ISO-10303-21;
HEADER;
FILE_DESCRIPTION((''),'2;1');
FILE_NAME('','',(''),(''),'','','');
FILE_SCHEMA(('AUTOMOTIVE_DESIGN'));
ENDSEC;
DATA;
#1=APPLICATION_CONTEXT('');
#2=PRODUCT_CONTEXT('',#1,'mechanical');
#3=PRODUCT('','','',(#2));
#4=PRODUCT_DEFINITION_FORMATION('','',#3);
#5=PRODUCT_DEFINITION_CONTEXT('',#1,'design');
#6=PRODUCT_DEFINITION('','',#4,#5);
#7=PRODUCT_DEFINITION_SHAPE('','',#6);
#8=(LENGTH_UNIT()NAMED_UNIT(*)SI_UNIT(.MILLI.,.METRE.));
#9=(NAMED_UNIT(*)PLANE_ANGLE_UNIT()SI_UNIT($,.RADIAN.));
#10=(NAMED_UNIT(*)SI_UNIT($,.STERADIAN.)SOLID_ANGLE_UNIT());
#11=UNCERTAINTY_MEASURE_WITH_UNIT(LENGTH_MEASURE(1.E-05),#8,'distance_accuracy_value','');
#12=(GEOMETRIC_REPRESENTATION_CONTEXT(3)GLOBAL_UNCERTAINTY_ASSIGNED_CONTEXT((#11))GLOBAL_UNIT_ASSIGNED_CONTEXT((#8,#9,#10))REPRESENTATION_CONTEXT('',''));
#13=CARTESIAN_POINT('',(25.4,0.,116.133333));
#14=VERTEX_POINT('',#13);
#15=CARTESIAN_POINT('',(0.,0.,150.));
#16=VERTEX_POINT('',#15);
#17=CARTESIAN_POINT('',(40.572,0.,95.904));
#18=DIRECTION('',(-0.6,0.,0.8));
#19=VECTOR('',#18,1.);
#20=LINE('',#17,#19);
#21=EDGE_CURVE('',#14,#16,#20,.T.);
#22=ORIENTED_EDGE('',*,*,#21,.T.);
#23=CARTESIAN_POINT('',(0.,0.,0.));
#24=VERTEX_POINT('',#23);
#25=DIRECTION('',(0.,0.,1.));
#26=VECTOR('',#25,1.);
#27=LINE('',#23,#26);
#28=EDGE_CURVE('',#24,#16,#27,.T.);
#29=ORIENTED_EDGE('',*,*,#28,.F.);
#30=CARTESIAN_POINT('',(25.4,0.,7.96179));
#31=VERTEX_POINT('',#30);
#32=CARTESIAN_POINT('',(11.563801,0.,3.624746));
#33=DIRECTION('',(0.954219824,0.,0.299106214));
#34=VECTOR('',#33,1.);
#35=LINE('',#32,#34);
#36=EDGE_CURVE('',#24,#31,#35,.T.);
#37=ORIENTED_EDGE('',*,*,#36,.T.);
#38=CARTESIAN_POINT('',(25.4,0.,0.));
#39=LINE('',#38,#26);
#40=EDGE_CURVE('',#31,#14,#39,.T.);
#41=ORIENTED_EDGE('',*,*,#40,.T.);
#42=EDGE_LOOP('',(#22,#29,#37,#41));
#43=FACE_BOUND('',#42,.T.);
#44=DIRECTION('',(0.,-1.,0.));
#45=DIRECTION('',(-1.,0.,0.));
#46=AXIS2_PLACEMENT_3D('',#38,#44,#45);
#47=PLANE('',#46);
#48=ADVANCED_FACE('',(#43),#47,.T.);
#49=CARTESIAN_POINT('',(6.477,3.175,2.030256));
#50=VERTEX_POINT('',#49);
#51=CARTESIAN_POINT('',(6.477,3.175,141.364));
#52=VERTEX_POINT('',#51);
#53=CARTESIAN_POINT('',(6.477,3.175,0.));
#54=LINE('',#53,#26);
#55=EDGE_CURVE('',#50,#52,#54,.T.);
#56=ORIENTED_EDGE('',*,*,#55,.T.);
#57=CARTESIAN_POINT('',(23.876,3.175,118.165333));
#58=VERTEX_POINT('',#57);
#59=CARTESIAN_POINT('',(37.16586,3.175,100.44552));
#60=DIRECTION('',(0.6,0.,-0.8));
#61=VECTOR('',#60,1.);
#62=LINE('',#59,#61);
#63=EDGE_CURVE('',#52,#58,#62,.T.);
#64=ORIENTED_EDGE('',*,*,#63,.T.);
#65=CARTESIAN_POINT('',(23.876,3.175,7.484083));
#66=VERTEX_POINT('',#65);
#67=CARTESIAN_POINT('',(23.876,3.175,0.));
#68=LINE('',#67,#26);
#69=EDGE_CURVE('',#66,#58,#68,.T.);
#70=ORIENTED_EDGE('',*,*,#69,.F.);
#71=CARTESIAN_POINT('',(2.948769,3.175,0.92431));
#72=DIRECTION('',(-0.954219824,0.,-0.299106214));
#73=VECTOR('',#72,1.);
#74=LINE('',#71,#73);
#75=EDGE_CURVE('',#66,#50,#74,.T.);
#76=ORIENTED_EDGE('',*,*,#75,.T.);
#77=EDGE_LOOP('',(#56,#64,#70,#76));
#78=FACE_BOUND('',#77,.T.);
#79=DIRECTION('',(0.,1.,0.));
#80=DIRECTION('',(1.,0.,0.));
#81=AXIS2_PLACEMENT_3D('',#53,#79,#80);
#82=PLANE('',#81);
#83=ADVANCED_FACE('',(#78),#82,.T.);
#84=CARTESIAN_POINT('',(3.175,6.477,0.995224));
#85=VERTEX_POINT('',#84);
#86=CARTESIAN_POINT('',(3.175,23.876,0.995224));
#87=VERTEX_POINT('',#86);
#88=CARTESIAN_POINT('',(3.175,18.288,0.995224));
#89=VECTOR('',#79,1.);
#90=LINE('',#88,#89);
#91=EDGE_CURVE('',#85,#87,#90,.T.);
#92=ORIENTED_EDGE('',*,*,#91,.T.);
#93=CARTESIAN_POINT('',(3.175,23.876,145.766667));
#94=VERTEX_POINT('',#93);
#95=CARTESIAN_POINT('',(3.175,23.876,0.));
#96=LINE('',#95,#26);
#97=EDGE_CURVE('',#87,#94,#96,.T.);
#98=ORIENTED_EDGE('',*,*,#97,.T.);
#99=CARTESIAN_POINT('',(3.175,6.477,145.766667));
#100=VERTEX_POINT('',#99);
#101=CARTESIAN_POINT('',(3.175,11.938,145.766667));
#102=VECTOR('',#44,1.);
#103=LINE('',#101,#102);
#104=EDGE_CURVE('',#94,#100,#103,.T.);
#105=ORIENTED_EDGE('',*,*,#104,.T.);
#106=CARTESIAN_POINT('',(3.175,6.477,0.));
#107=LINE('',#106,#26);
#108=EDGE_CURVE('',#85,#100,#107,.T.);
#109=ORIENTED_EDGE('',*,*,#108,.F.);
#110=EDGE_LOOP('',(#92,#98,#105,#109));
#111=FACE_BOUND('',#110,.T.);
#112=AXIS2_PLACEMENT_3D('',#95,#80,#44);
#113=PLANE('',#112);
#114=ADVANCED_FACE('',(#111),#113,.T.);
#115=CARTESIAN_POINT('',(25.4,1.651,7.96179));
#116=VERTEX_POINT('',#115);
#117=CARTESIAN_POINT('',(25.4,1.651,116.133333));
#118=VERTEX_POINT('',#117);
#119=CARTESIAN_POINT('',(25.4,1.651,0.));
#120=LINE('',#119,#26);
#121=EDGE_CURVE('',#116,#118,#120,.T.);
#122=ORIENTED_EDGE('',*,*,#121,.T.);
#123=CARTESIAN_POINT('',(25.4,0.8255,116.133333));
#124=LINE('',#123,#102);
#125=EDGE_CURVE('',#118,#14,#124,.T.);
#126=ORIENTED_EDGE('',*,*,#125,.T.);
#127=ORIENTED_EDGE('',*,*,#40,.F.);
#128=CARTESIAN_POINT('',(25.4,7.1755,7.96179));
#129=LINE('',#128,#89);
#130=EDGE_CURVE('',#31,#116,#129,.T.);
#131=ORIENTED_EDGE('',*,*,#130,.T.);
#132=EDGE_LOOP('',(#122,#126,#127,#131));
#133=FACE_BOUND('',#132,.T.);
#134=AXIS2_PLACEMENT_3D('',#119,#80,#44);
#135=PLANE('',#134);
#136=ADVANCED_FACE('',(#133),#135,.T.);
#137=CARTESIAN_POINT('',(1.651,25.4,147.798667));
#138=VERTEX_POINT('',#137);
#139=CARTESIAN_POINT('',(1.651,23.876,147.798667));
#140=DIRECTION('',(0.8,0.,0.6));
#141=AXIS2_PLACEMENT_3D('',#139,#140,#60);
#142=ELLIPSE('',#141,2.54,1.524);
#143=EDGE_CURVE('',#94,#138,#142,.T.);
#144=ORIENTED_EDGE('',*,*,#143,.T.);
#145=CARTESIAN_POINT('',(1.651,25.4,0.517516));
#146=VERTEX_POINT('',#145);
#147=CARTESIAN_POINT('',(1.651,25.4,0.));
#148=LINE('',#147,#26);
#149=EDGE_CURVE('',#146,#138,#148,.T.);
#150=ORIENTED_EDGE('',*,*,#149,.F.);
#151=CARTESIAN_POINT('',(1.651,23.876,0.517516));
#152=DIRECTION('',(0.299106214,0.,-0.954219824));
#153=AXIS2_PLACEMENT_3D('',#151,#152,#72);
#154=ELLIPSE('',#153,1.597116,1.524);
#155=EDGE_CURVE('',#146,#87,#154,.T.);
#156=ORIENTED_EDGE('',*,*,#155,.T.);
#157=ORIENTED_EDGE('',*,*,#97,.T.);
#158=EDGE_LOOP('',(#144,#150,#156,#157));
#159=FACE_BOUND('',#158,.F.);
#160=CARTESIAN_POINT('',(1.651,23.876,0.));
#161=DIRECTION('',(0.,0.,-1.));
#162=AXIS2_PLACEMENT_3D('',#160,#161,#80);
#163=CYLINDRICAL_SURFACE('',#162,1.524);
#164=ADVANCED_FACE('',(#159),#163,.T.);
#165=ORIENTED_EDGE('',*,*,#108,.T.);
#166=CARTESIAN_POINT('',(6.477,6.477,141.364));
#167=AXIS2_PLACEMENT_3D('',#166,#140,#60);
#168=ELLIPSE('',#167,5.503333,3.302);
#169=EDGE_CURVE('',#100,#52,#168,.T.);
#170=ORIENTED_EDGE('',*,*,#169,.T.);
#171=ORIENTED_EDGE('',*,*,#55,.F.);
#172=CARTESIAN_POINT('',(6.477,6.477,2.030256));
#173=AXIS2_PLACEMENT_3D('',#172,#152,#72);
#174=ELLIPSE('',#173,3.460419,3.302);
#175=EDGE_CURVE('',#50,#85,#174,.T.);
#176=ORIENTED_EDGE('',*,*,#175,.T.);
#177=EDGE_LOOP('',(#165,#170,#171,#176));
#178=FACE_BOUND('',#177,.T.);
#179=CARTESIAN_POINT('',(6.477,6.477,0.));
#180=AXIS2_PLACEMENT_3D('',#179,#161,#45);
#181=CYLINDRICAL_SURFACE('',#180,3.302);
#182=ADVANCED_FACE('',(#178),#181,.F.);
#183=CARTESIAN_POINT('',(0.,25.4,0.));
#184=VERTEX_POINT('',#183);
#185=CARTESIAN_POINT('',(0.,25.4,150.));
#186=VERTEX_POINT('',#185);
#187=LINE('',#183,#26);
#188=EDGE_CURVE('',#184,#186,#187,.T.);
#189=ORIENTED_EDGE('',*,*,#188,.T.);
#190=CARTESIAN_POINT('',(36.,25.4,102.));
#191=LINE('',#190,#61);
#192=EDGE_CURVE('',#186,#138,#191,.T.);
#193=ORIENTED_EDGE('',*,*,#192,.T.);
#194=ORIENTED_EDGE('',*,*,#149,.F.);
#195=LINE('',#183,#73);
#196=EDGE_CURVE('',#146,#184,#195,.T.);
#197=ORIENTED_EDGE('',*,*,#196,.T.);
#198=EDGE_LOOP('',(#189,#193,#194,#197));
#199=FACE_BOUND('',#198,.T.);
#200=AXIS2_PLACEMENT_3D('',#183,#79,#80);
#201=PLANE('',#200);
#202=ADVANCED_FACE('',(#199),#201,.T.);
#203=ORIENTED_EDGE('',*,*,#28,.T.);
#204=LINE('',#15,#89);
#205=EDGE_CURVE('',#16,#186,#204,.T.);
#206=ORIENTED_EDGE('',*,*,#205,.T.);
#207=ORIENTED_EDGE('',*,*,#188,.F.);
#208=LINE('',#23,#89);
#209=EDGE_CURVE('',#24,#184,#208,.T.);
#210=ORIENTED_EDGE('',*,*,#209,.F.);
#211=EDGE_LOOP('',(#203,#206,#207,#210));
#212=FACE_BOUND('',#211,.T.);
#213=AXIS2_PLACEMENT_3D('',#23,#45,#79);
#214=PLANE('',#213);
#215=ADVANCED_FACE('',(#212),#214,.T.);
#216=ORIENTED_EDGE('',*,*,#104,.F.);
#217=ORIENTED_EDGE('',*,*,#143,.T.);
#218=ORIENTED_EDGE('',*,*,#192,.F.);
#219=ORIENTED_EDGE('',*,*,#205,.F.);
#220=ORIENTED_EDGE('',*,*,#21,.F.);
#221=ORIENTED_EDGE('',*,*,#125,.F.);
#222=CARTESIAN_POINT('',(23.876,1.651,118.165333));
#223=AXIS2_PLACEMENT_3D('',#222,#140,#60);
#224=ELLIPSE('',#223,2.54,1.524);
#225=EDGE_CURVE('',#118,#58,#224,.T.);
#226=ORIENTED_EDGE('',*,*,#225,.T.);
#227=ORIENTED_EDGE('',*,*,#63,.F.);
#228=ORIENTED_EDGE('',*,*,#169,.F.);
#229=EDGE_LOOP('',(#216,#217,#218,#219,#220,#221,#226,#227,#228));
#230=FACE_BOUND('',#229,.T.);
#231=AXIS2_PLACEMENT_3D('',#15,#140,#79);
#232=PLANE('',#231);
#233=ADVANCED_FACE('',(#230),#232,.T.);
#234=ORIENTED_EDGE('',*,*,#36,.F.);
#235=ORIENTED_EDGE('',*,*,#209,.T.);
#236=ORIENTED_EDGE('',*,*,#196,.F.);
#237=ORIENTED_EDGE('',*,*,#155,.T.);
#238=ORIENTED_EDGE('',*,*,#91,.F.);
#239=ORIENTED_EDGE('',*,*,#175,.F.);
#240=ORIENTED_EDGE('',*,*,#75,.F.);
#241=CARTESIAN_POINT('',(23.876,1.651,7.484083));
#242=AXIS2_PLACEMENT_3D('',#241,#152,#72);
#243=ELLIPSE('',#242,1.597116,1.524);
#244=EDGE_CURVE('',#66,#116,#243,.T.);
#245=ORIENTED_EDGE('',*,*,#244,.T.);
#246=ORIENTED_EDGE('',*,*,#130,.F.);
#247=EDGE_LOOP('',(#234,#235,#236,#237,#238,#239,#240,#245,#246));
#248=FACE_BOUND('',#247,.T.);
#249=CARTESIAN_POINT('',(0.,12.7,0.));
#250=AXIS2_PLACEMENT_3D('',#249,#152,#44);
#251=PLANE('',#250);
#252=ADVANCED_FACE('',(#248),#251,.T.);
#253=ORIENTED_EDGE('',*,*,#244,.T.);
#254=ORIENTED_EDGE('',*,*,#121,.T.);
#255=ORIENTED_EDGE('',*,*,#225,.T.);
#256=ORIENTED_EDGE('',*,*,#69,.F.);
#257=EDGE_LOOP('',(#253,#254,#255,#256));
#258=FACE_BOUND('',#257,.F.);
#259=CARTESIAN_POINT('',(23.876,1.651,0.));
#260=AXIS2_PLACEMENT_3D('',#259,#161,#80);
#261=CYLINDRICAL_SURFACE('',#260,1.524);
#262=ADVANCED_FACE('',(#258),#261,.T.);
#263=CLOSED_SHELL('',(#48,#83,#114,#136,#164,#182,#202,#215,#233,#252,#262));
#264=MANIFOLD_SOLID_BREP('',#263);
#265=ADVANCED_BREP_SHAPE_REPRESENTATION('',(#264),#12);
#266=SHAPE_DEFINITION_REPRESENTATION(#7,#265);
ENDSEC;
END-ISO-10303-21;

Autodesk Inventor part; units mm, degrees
ref_plane "Start Plane" through (0, 0, 0) normal (0, 0, 1) x (1, 0, 0)
ref_plane "End Plane" through (0, 0, 150) normal (0, 0, 1) x (1, 0, 0)
sketch "Sketch" plane through (0, 0, 0) normal (0, 0, 1) x (1, 0, 0)
  line L0 (25.4, 0) -> (0, 0)
  line L1 (0, 0) -> (0, 25.4)
  line L2 (0, 25.4) -> (1.651, 25.4)
  line L3 (3.175, 23.876) -> (3.175, 6.477)
  line L4 (6.477, 3.175) -> (23.876, 3.175)
  line L5 (25.4, 1.651) -> (25.4, 0)
  line L6 (0, -11.0414) -> (0, 31.5385) construction
  line L7 (-11.0414, 0) -> (31.5385, 0) construction
  arc A0 (3.175, 6.477) -> (6.477, 3.175) centre (6.477, 6.477) ccw
  arc A1 (3.175, 23.876) -> (1.651, 25.4) centre (1.651, 23.876) ccw
  arc A2 (25.4, 1.651) -> (23.876, 3.175) centre (23.876, 1.651) ccw
  line L8 (0, 40.0545) -> (0, -19.5574) construction
  line L9 (-19.5574, 0) -> (40.0545, 0) construction
  point P0 (3.175, 25.4)
  point P1 (3.175, 3.175)
  point P2 (25.4, 3.175)
  dimension "d0" = 25.4
  dimension "d1" = 25.4
  dimension "d2" = 3.175
  dimension "d3" = 3.175
  dimension "d10" = 0
  dimension "d11" = 0
  dimension "d14" = 3.302
  dimension "d15" = 1.524
extrude "Body" add sketch "Sketch" along normal up to surface (150 mm away) from surface at 0
sketch "Sketch3" plane through (0, 0, 0) normal (0, 0, 1) x (1, 0, 0)
  line L0 (0, 0) -> (10, 0)
ref_plane "Work Plane3" through (0, 0, 0) normal (0, -1, 0) x (1, 0, 0)
ref_plane "Work Plane4" through (0, 12.7, 0) normal (0.2991, 0, -0.9542) x (-0.9542, 0, -0.2991)
split "Split1" plane through (0, 12.7, 0) removes the side toward (0.2991, 0, -0.9542)
ref_plane "Work Plane5" through (0, 0, 150) normal (0.8, 0, 0.6) x (0.6, 0, -0.8)
split "Split2" plane through (0, 0, 150) removes the side toward (0.8, 0, 0.6)
sketch "Sketch4" plane through (0, 0, 0) normal (0, -1, 0) x (1, 0, 0)
  line L0 (-2, 0) -> (12, 0) projected
  line L1 (-2, 150) -> (12, 150) projected
  dimension "d17" = 150
equation "\"d0\" = G_H"
equation "\"d1\" = G_H"
equation "\"d2\" = G_T"
equation "\"d3\" = G_T"
equation "\"d14\" = G_IR"
equation "\"d15\" = G_ER"
equation "\"d4\" = G_L"
equation "\"G_H\" = 25.4"
equation "\"G_T\" = 3.175"
equation "\"G_ER\" = 1.524"
equation "\"G_IR\" = 3.302"
equation "\"G_L\" = d17"
equation "\"ex\" = 0"
equation "\"G_OFFSET_START\" = 0"
equation "\"G_OFFSET_END\" = 0"
equation "\"d13\" = G_OFFSET_END + B_L"
equation "\"B_L\" = 150"
properties part number "AISC - L 1 x 1 x 1/8 - 5.906" material "Steel, Mild"
